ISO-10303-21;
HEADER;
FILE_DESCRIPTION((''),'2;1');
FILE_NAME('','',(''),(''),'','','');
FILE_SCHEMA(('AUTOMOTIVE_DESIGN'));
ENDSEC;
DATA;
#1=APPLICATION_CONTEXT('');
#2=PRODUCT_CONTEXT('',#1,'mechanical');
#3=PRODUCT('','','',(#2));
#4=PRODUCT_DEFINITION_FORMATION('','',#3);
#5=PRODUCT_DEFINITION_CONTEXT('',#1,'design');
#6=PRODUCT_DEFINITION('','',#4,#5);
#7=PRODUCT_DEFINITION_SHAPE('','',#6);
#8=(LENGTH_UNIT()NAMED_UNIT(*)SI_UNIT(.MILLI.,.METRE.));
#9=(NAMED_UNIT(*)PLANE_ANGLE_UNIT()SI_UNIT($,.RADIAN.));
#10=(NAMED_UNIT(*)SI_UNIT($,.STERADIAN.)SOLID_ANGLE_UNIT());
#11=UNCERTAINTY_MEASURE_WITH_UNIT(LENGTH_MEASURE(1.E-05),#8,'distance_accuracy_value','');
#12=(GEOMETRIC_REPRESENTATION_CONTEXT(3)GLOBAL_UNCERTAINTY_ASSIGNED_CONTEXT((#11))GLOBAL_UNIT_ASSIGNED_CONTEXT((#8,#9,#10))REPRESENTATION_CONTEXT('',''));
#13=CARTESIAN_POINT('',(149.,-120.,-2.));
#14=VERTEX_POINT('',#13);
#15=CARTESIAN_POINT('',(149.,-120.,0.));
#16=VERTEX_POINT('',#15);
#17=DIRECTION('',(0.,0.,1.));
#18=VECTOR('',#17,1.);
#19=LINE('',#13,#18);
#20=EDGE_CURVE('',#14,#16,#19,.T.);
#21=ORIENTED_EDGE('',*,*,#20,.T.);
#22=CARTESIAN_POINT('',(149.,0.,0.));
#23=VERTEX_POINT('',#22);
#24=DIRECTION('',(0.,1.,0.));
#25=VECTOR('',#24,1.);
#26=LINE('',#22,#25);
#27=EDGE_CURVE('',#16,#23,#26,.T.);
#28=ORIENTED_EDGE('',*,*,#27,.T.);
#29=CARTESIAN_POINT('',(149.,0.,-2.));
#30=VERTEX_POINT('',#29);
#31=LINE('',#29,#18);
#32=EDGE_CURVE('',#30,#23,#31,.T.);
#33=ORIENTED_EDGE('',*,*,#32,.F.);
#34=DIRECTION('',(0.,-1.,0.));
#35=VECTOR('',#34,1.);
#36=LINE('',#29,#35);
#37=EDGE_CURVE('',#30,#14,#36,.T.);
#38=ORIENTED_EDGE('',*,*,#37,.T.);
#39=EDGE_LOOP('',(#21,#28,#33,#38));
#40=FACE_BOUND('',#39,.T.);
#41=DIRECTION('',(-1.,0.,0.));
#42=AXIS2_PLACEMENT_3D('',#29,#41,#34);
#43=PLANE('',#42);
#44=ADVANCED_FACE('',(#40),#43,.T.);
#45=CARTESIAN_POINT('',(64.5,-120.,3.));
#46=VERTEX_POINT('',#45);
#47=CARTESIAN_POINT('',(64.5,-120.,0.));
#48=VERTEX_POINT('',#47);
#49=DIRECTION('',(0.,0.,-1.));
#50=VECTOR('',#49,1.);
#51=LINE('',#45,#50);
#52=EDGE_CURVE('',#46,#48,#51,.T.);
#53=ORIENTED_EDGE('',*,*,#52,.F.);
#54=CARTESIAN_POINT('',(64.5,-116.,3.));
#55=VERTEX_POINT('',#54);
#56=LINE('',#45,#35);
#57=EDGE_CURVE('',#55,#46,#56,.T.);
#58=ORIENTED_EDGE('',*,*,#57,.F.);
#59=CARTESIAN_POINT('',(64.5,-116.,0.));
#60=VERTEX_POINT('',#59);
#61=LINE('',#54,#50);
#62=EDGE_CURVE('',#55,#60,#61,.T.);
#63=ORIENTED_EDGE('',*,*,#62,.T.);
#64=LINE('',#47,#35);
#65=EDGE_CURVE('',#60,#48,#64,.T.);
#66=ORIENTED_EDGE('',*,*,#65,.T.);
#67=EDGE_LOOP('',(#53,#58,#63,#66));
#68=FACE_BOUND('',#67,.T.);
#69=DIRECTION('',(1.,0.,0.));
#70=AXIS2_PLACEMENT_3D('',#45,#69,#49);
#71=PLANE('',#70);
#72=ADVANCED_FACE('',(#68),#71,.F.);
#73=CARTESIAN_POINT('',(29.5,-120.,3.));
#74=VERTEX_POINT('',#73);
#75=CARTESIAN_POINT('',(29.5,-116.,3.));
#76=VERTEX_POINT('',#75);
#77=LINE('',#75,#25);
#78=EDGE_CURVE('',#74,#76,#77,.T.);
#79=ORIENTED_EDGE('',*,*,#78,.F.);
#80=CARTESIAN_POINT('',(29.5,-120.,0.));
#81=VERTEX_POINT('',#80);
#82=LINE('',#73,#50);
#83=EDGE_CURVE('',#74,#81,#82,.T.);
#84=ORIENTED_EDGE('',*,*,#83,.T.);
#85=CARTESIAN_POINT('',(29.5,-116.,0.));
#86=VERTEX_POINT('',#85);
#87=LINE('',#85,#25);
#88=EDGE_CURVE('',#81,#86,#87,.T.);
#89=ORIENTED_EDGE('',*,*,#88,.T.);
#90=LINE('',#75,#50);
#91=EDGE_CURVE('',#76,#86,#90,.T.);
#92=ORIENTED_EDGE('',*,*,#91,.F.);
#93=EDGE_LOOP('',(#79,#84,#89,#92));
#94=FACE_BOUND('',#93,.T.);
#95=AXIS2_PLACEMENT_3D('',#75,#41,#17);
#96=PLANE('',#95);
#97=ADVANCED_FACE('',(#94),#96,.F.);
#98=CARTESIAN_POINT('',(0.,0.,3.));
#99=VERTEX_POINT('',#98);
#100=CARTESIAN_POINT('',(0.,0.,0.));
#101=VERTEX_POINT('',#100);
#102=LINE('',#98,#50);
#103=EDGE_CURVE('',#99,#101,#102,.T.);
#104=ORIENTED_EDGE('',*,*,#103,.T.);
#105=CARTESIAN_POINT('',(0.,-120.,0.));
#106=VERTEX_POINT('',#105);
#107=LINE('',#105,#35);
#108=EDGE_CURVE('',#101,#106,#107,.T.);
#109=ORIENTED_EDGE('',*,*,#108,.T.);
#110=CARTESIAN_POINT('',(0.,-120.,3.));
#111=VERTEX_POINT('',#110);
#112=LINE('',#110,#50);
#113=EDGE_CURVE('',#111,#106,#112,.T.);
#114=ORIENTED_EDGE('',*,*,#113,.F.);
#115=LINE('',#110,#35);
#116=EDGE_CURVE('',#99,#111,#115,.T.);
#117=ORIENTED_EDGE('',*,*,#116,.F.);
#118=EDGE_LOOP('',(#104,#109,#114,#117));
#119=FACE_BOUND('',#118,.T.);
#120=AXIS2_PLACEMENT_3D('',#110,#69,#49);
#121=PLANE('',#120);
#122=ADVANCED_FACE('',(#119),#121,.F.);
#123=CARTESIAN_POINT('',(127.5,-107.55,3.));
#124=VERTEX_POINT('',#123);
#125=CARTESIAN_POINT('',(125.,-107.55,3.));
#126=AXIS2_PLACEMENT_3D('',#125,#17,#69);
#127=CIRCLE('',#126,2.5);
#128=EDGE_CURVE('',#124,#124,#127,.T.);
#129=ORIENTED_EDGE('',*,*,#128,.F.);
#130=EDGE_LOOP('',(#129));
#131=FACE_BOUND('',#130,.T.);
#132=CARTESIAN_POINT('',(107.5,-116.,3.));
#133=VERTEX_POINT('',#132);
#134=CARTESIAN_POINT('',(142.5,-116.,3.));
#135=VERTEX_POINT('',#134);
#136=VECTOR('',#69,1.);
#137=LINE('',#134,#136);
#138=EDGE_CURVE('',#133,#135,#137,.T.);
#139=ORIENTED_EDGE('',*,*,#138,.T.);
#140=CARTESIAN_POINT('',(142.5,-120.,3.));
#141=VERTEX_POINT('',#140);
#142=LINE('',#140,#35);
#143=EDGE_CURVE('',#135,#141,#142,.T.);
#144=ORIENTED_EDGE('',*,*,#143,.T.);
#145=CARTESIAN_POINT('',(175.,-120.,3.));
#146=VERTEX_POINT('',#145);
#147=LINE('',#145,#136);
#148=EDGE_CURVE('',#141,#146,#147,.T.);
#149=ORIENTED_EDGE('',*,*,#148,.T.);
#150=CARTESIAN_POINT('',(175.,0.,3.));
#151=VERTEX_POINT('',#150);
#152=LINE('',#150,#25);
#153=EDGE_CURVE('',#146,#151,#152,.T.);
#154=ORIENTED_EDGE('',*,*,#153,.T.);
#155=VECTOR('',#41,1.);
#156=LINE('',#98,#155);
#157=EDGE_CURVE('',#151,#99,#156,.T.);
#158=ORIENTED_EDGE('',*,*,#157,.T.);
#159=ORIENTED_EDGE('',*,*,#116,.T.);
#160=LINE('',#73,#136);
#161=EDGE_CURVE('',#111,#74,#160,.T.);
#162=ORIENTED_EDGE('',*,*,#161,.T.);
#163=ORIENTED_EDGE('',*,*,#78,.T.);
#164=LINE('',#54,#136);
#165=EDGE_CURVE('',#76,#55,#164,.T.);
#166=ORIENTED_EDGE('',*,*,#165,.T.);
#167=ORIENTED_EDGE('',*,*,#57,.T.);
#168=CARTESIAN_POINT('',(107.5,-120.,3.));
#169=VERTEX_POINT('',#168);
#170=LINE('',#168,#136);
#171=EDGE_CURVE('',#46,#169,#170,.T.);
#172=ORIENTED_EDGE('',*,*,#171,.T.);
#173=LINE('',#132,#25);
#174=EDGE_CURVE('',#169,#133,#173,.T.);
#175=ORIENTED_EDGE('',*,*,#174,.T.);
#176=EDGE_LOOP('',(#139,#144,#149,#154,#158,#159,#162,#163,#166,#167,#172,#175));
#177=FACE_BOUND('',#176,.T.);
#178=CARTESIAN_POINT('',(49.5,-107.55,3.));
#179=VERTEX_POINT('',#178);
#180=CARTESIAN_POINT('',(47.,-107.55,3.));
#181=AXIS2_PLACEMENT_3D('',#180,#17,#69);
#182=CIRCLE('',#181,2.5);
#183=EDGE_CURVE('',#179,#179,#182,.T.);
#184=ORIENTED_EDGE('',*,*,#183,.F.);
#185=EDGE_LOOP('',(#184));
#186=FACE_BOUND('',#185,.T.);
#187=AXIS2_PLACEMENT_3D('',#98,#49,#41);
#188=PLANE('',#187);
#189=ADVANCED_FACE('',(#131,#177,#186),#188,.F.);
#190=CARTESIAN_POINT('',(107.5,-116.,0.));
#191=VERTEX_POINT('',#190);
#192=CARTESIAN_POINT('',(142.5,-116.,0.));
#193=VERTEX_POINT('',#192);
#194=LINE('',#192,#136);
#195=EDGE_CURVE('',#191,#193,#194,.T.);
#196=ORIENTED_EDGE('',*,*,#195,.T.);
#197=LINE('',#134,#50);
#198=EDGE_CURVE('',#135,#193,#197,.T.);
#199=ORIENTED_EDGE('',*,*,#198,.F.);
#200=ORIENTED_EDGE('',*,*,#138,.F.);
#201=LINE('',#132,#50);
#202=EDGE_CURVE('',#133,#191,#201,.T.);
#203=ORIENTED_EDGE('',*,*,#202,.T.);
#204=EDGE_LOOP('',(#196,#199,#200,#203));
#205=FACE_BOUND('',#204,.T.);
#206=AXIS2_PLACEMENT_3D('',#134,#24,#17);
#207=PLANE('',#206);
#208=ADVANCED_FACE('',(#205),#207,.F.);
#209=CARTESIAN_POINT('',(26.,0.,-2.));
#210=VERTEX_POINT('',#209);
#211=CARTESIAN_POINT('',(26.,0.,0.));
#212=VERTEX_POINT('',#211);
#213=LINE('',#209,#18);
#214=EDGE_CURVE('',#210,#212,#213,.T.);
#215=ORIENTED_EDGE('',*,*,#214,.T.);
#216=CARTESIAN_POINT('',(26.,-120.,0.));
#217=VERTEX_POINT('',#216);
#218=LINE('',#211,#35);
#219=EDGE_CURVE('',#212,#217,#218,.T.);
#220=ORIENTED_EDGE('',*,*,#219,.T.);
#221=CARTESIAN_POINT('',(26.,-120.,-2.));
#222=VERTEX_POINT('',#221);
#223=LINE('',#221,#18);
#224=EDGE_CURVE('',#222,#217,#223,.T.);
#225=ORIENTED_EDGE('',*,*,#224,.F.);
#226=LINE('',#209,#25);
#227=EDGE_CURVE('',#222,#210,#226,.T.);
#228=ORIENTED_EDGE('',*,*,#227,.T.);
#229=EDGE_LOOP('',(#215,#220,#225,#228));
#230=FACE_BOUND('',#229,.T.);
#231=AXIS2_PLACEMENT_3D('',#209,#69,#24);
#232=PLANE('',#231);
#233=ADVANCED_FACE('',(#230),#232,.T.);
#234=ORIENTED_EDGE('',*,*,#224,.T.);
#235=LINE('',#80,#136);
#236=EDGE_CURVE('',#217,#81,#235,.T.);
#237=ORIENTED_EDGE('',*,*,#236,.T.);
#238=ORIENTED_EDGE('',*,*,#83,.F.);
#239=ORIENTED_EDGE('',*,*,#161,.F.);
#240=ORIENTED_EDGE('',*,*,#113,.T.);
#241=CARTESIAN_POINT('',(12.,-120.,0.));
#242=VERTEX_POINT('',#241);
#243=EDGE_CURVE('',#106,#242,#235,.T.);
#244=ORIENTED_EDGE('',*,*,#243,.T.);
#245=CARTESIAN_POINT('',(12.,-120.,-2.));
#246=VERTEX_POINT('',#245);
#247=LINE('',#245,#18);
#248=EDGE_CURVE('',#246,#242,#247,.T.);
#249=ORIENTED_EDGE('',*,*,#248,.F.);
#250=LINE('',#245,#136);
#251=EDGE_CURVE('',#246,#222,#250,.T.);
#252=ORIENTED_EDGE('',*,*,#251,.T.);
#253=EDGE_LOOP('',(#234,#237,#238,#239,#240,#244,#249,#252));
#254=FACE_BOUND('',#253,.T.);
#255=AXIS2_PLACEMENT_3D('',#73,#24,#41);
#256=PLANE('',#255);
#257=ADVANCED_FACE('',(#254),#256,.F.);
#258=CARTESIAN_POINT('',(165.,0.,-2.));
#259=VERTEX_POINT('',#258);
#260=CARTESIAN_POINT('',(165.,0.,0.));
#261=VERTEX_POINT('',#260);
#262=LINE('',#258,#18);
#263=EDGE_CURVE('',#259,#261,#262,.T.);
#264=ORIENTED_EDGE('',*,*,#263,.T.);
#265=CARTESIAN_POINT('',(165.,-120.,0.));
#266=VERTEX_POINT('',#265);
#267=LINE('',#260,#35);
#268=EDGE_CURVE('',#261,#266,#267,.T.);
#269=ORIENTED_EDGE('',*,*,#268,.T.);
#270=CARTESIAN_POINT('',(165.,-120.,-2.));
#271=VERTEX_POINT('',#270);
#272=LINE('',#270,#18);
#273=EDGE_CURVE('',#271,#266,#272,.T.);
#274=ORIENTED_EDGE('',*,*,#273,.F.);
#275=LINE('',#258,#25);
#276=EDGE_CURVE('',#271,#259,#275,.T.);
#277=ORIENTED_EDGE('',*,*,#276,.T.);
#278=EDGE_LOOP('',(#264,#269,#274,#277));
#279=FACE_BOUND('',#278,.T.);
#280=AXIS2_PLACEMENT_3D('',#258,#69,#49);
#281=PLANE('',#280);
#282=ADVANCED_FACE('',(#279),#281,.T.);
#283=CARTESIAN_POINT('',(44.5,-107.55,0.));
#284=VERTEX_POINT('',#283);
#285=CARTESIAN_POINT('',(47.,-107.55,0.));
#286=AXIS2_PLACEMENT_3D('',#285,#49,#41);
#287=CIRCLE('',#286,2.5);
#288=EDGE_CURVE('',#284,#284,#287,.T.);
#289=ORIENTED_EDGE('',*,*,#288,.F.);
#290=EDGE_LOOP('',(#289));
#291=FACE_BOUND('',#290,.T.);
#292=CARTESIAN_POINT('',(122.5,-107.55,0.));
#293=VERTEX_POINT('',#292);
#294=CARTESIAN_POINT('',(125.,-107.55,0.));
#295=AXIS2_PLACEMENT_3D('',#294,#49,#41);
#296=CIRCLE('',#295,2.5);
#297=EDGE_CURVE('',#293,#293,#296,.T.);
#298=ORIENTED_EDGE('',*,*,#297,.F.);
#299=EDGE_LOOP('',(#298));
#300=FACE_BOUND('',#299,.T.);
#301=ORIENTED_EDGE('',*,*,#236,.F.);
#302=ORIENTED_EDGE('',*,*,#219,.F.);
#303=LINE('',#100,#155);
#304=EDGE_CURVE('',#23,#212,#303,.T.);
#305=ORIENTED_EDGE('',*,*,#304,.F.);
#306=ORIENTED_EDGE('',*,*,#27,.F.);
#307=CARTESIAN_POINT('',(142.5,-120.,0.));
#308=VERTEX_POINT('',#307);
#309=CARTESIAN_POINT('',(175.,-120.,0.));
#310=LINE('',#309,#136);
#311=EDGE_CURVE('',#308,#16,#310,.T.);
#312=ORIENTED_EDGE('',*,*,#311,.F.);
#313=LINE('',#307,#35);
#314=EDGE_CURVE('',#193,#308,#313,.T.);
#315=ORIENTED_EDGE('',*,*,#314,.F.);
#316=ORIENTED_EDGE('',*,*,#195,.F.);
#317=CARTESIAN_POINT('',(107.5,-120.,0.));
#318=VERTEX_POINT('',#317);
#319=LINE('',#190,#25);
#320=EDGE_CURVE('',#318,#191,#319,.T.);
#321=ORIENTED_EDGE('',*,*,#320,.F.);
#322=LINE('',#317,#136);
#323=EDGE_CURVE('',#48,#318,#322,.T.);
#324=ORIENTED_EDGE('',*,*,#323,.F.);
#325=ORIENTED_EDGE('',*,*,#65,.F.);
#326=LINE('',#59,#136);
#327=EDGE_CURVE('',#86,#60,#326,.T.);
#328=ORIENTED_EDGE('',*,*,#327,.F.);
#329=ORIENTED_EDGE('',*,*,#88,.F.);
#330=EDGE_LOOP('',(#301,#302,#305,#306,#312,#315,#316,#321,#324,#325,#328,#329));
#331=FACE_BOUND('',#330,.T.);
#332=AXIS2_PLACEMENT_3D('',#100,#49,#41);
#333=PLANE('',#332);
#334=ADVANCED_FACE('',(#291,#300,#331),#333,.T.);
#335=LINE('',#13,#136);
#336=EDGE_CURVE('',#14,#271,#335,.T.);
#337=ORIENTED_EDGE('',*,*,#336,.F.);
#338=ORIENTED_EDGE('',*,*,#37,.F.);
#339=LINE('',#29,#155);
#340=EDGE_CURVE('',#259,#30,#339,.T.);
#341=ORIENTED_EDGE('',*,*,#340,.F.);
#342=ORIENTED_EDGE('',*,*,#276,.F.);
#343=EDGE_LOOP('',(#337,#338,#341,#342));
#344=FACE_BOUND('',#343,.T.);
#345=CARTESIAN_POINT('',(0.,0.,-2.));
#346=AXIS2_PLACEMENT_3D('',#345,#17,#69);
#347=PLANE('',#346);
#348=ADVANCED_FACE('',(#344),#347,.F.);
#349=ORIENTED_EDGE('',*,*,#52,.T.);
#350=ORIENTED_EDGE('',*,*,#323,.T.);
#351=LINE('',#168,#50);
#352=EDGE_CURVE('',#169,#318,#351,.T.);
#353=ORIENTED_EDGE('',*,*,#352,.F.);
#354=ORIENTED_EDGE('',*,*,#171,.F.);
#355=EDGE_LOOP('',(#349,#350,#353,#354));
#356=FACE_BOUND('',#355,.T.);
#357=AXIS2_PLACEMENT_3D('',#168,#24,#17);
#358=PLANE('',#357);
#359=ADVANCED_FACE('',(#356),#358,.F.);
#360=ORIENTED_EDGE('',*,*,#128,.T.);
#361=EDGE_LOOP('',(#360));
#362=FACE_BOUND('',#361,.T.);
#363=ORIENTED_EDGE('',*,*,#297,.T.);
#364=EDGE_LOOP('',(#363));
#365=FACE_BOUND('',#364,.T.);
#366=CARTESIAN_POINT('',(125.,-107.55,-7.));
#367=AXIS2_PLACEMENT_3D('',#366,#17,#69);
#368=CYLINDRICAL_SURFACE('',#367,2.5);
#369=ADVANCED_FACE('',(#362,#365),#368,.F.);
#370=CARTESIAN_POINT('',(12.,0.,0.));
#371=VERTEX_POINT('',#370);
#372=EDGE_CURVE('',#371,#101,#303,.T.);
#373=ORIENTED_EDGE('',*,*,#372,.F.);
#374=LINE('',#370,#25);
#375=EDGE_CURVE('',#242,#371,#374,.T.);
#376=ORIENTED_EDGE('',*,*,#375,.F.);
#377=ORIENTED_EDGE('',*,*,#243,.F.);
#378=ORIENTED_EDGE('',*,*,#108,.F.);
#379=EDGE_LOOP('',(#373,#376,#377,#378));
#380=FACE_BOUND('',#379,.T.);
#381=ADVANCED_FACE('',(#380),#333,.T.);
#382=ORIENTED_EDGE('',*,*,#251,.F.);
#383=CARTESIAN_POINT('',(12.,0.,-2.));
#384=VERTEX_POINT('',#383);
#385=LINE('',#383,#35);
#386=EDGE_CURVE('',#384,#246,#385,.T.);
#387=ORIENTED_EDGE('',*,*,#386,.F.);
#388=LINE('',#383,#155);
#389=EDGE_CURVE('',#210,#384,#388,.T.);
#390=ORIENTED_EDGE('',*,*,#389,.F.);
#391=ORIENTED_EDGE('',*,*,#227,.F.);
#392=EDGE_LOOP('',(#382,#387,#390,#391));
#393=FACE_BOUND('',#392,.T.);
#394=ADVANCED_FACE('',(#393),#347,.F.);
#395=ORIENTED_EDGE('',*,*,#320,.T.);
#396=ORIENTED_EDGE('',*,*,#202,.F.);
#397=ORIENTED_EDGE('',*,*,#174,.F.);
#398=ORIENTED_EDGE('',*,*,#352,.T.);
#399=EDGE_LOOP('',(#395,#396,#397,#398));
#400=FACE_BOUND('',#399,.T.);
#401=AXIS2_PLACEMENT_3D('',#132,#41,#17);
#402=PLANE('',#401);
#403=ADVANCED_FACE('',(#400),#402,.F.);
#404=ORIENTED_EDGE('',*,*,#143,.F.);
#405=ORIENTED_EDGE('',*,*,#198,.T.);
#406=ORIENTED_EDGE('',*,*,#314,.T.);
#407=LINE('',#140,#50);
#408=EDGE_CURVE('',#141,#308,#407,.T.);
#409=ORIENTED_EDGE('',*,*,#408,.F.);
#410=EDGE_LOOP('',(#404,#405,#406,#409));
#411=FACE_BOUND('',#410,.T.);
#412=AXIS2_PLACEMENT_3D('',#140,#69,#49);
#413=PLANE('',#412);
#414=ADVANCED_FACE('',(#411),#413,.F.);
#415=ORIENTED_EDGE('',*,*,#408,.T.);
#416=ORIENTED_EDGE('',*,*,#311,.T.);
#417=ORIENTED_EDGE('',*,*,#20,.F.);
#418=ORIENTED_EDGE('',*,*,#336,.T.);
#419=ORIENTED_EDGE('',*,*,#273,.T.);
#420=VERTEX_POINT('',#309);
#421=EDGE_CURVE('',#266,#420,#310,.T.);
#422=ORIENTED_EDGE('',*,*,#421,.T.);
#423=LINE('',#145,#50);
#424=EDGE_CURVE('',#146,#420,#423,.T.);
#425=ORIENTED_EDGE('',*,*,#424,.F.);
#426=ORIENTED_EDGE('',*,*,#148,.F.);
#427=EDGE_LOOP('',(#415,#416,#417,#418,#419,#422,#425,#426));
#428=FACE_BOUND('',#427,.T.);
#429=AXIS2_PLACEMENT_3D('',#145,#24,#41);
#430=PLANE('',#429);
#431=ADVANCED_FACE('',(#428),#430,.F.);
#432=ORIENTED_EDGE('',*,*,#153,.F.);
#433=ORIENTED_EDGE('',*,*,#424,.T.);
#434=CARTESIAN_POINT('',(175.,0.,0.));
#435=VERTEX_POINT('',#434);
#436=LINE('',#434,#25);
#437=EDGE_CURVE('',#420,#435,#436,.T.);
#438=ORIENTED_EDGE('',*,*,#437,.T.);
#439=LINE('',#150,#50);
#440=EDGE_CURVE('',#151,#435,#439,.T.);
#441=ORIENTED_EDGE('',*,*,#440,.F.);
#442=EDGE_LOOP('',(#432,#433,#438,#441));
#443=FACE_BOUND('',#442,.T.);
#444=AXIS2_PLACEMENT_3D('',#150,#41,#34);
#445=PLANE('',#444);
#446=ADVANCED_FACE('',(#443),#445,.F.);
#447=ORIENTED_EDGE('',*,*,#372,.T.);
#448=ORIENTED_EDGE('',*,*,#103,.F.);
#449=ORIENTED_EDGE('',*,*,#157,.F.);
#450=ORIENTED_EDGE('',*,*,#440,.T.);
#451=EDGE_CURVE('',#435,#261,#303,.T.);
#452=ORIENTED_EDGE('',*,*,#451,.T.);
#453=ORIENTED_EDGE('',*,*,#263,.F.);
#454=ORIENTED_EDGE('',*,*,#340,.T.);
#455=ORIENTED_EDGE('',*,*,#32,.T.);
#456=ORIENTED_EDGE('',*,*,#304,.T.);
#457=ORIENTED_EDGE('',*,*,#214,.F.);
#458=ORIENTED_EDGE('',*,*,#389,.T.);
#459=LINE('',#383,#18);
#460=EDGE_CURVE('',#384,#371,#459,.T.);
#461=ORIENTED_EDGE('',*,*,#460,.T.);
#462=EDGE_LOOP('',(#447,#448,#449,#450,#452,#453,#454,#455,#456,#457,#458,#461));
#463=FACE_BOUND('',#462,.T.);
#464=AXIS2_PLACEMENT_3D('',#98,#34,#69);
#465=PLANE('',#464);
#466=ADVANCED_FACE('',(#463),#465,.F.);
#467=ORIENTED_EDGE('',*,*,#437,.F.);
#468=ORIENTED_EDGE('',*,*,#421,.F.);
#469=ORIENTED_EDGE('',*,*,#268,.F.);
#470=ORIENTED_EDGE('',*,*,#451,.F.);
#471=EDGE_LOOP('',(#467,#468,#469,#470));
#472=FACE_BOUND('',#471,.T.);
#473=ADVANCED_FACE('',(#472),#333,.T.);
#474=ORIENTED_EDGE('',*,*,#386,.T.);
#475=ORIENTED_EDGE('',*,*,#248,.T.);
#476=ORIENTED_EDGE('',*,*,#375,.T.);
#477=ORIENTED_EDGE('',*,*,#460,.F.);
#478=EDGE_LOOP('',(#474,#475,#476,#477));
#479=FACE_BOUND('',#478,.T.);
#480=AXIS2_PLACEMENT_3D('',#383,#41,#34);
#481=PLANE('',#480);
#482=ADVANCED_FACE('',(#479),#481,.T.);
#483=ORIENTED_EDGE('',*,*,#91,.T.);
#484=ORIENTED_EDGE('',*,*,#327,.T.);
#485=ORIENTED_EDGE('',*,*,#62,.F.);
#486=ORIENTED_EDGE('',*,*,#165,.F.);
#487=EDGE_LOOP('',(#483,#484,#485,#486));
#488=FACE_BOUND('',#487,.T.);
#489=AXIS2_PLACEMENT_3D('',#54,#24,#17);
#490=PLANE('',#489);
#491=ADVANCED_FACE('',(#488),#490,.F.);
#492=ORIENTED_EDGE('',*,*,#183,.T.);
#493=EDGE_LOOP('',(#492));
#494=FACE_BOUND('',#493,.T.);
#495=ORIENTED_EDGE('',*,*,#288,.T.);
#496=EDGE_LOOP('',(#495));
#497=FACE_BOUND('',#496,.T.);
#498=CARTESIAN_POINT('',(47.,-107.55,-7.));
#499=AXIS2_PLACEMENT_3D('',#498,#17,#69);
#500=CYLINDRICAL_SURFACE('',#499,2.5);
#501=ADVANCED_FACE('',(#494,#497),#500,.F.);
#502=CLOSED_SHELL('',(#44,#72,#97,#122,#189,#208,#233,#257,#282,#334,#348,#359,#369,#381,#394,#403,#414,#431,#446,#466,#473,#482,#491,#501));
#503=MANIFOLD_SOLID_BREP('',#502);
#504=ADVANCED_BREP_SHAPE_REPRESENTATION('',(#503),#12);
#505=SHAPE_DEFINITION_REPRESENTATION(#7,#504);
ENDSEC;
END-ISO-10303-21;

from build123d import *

# Parameters (mm, degrees)
BOSS_EXTRU_1_DEPTH      = 3
ESQUISSE3_W             = 14
ESQUISSE3_H             = 120
ESQUISSE3_W_2           = 16
BOSS_EXTRU_2_DEPTH      = 5
ESQUISSE4_R             = 2.5
ENL_V_MAT_EXTRU_1_DEPTH = 10


with BuildPart() as part:
    # Esquisse2 → Boss.-Extru.1 (new body)
    with BuildSketch(Plane.XY):
        Polygon((0, 0), (175, 0), (175, -120), (142.5, -120), (142.5, -116), (107.5, -116), (107.5, -120), (64.5, -120), (64.5, -116), (29.5, -116), (29.5, -120), (0, -120), align=None)
    extrude(amount=BOSS_EXTRU_1_DEPTH)

    # Esquisse3 → Boss.-Extru.2 (add)
    with BuildSketch(Plane.XY.offset(3)):
        with Locations((19, -60)):
            Rectangle(ESQUISSE3_W, ESQUISSE3_H)
        with Locations((157, -60)):
            Rectangle(ESQUISSE3_W_2, ESQUISSE3_H)
    extrude(amount=-BOSS_EXTRU_2_DEPTH)

    # Esquisse4 → Enlèv. mat.-Extru.1 (cut)
    with BuildSketch(Plane.XY.offset(3)):
        with Locations((47, -107.55)):
            Circle(ESQUISSE4_R)
        with Locations((125, -107.55)):
            Circle(ESQUISSE4_R)
    extrude(amount=-ENL_V_MAT_EXTRU_1_DEPTH, mode=Mode.SUBTRACT)


solid = part.part
